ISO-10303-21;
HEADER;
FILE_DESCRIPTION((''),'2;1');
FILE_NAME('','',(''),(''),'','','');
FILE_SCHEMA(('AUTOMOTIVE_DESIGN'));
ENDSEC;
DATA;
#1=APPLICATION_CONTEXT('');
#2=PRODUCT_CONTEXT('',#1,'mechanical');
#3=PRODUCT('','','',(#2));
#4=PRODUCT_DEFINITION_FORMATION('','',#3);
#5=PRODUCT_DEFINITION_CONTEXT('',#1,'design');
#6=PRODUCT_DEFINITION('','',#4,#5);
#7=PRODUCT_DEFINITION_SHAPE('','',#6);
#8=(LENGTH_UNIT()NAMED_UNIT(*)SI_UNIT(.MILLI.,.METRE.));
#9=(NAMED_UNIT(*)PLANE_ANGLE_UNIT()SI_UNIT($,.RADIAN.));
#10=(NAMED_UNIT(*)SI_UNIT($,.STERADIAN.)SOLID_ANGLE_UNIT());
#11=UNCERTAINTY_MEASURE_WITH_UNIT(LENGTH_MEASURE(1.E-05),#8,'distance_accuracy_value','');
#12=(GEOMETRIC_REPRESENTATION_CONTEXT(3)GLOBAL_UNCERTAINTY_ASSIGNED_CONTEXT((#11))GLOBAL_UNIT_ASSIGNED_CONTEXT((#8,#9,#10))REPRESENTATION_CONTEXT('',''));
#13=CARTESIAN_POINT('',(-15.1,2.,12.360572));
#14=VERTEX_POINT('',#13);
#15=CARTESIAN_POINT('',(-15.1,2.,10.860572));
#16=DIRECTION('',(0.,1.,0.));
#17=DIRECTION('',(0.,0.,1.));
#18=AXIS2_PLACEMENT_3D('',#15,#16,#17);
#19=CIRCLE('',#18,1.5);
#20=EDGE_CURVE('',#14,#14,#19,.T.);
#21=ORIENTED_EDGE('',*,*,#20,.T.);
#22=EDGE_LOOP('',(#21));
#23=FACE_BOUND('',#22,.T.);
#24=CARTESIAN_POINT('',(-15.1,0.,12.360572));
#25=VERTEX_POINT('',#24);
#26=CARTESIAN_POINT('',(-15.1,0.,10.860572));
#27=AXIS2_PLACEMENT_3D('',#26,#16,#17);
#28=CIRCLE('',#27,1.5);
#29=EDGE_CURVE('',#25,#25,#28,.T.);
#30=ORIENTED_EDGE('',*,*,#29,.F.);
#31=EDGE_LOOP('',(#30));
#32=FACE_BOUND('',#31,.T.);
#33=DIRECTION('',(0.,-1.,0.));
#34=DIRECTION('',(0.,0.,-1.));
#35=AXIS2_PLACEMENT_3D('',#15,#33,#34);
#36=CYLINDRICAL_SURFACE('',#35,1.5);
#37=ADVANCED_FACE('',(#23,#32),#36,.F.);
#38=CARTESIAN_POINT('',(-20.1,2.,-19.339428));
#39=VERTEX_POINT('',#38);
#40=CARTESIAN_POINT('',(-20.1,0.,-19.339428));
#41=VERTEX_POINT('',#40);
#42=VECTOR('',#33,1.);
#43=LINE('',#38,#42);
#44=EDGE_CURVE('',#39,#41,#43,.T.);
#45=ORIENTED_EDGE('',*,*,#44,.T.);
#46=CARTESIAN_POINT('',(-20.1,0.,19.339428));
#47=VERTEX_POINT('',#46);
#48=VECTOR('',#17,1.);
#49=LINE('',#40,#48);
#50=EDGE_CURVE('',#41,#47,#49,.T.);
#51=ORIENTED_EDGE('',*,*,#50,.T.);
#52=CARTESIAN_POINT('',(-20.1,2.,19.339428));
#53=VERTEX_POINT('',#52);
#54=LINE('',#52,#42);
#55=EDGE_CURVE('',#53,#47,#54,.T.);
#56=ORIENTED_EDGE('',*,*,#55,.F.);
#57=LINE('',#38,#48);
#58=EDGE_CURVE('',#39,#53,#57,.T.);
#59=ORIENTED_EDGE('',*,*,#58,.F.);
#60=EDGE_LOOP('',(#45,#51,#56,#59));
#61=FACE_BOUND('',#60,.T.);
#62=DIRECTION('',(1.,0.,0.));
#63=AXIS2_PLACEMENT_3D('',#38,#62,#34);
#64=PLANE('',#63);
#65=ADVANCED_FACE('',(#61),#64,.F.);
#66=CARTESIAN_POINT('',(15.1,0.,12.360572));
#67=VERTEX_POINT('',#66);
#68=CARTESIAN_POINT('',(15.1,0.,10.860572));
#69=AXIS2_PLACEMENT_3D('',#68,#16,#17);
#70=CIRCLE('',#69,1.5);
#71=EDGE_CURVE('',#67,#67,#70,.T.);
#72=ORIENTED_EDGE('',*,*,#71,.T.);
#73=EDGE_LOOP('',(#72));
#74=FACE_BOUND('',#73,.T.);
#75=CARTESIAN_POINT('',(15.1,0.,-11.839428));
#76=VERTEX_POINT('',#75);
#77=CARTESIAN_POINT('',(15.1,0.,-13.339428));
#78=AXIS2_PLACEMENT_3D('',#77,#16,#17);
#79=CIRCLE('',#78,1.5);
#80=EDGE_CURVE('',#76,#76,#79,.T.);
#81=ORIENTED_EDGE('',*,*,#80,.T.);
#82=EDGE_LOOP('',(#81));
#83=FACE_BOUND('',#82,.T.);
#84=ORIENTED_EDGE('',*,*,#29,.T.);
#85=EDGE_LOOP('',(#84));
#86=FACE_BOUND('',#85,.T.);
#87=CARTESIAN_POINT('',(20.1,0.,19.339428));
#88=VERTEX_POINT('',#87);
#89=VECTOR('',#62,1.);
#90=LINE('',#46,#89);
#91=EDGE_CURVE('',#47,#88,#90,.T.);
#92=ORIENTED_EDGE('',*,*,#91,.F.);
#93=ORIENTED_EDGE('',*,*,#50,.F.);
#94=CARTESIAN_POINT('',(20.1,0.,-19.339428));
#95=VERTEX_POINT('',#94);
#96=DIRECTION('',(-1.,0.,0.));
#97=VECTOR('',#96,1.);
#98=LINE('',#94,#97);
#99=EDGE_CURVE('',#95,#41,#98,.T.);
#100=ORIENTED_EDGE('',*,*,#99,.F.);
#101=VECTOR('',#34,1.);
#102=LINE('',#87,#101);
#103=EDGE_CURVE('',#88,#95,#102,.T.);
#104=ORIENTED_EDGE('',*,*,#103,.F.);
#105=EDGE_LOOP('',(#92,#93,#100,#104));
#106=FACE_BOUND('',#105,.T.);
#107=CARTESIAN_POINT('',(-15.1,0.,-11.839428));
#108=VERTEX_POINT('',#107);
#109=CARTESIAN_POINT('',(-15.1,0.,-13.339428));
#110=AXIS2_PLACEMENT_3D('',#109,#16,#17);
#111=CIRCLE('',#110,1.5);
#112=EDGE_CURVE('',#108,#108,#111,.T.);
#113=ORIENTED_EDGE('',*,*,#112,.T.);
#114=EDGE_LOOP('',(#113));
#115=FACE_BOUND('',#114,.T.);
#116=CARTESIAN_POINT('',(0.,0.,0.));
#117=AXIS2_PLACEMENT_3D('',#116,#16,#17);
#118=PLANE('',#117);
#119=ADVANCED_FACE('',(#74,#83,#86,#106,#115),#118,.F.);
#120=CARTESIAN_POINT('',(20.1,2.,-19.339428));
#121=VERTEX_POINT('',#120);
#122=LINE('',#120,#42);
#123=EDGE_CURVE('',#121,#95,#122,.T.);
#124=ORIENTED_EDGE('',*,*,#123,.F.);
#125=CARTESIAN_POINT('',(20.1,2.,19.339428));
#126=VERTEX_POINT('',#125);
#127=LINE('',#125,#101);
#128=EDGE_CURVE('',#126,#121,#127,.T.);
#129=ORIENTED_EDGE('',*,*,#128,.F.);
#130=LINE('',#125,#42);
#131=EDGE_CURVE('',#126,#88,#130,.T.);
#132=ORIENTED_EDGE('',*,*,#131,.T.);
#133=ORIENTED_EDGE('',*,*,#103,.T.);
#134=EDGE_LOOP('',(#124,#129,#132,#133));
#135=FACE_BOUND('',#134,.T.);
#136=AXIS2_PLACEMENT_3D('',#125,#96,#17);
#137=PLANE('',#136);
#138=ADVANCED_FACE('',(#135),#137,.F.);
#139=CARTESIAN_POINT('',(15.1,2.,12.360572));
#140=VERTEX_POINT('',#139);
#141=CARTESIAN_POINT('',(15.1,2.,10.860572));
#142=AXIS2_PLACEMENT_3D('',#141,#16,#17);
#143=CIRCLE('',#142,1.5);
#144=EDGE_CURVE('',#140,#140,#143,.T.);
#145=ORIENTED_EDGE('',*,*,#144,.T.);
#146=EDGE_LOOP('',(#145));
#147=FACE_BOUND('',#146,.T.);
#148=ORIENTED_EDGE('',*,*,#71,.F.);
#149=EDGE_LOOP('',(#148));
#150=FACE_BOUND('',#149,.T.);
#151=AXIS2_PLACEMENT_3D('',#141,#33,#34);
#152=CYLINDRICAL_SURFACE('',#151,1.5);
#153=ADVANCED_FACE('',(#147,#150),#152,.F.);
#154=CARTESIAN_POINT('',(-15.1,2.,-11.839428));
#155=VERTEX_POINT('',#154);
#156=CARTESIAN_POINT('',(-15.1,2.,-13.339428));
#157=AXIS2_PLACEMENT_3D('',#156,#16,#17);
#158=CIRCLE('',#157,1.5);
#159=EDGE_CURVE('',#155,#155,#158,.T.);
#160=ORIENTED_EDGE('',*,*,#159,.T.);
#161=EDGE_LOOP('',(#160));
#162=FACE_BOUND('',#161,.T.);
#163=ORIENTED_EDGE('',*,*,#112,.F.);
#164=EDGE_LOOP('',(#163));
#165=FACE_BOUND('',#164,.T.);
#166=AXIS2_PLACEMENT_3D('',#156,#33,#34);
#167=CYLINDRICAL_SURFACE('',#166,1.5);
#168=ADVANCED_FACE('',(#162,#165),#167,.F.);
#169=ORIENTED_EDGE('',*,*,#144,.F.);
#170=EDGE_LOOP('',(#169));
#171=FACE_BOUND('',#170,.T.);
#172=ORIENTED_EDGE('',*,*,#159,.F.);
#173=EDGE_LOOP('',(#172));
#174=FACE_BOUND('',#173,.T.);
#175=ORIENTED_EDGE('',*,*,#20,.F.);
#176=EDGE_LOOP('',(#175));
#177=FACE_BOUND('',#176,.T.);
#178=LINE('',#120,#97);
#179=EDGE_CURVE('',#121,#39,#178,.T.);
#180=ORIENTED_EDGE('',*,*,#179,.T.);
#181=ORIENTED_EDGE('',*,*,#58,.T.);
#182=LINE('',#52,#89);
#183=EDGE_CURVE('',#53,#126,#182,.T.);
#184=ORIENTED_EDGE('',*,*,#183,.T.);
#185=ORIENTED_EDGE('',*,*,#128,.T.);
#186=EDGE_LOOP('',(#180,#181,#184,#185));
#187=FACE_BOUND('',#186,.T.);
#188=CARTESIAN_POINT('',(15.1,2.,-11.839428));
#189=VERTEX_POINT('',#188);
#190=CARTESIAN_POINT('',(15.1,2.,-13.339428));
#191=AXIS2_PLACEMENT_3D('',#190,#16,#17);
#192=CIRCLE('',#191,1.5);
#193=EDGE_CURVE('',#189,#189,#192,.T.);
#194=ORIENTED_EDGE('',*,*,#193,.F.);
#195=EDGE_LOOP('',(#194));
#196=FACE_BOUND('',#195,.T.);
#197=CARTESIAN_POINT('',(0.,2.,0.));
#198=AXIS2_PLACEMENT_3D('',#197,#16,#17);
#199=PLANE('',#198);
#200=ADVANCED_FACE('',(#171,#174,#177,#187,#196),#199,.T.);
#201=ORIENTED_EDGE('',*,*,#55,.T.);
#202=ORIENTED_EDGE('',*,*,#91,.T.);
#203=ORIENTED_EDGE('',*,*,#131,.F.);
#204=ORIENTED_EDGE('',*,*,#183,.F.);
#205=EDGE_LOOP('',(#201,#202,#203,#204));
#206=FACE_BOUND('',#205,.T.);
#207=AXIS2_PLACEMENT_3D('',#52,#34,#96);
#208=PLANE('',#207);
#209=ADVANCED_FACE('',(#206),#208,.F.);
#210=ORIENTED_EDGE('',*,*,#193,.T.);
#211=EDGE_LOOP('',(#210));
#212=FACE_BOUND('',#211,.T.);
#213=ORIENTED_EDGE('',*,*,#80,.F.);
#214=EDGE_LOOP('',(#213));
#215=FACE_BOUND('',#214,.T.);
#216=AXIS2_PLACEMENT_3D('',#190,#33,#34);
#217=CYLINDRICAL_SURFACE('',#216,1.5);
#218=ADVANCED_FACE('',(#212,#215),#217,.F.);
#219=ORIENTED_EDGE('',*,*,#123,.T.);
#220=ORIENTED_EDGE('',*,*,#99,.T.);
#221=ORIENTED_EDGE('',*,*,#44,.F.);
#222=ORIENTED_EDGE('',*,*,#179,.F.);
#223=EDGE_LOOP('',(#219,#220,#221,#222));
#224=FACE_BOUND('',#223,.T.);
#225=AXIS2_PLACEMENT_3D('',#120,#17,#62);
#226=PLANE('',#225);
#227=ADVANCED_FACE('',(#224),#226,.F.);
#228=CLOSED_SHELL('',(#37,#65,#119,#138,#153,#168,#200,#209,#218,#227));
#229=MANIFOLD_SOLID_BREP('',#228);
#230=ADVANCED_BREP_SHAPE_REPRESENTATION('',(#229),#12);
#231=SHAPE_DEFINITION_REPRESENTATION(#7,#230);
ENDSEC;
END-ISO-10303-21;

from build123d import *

# Parameters (mm, degrees)
SKETCH1_W           = 40.2
SKETCH1_H           = 38.678855934
SKETCH1_R           = 1.5
BOSS_EXTRUDE1_DEPTH = 2


with BuildPart() as part:
    # Sketch1 → Boss-Extrude1 (new body)
    with BuildSketch(Plane(origin=(0, 0, 0), x_dir=(1, 0, 0), z_dir=(0, 1, 0))):
        Rectangle(SKETCH1_W, SKETCH1_H)
        with Locations(Location((-15.1, 13.339427967, 0), (0, 0, 270))):
            Circle(SKETCH1_R, mode=Mode.SUBTRACT)
        with Locations(Location((15.1, 13.339427967, 0), (0, 0, 270))):
            Circle(SKETCH1_R, mode=Mode.SUBTRACT)
        with Locations(Location((15.1, -10.860572033, 0), (0, 0, 270))):
            Circle(SKETCH1_R, mode=Mode.SUBTRACT)
        with Locations(Location((-15.1, -10.860572033, 0), (0, 0, 270))):
            Circle(SKETCH1_R, mode=Mode.SUBTRACT)
    extrude(amount=BOSS_EXTRUDE1_DEPTH)


solid = part.part
